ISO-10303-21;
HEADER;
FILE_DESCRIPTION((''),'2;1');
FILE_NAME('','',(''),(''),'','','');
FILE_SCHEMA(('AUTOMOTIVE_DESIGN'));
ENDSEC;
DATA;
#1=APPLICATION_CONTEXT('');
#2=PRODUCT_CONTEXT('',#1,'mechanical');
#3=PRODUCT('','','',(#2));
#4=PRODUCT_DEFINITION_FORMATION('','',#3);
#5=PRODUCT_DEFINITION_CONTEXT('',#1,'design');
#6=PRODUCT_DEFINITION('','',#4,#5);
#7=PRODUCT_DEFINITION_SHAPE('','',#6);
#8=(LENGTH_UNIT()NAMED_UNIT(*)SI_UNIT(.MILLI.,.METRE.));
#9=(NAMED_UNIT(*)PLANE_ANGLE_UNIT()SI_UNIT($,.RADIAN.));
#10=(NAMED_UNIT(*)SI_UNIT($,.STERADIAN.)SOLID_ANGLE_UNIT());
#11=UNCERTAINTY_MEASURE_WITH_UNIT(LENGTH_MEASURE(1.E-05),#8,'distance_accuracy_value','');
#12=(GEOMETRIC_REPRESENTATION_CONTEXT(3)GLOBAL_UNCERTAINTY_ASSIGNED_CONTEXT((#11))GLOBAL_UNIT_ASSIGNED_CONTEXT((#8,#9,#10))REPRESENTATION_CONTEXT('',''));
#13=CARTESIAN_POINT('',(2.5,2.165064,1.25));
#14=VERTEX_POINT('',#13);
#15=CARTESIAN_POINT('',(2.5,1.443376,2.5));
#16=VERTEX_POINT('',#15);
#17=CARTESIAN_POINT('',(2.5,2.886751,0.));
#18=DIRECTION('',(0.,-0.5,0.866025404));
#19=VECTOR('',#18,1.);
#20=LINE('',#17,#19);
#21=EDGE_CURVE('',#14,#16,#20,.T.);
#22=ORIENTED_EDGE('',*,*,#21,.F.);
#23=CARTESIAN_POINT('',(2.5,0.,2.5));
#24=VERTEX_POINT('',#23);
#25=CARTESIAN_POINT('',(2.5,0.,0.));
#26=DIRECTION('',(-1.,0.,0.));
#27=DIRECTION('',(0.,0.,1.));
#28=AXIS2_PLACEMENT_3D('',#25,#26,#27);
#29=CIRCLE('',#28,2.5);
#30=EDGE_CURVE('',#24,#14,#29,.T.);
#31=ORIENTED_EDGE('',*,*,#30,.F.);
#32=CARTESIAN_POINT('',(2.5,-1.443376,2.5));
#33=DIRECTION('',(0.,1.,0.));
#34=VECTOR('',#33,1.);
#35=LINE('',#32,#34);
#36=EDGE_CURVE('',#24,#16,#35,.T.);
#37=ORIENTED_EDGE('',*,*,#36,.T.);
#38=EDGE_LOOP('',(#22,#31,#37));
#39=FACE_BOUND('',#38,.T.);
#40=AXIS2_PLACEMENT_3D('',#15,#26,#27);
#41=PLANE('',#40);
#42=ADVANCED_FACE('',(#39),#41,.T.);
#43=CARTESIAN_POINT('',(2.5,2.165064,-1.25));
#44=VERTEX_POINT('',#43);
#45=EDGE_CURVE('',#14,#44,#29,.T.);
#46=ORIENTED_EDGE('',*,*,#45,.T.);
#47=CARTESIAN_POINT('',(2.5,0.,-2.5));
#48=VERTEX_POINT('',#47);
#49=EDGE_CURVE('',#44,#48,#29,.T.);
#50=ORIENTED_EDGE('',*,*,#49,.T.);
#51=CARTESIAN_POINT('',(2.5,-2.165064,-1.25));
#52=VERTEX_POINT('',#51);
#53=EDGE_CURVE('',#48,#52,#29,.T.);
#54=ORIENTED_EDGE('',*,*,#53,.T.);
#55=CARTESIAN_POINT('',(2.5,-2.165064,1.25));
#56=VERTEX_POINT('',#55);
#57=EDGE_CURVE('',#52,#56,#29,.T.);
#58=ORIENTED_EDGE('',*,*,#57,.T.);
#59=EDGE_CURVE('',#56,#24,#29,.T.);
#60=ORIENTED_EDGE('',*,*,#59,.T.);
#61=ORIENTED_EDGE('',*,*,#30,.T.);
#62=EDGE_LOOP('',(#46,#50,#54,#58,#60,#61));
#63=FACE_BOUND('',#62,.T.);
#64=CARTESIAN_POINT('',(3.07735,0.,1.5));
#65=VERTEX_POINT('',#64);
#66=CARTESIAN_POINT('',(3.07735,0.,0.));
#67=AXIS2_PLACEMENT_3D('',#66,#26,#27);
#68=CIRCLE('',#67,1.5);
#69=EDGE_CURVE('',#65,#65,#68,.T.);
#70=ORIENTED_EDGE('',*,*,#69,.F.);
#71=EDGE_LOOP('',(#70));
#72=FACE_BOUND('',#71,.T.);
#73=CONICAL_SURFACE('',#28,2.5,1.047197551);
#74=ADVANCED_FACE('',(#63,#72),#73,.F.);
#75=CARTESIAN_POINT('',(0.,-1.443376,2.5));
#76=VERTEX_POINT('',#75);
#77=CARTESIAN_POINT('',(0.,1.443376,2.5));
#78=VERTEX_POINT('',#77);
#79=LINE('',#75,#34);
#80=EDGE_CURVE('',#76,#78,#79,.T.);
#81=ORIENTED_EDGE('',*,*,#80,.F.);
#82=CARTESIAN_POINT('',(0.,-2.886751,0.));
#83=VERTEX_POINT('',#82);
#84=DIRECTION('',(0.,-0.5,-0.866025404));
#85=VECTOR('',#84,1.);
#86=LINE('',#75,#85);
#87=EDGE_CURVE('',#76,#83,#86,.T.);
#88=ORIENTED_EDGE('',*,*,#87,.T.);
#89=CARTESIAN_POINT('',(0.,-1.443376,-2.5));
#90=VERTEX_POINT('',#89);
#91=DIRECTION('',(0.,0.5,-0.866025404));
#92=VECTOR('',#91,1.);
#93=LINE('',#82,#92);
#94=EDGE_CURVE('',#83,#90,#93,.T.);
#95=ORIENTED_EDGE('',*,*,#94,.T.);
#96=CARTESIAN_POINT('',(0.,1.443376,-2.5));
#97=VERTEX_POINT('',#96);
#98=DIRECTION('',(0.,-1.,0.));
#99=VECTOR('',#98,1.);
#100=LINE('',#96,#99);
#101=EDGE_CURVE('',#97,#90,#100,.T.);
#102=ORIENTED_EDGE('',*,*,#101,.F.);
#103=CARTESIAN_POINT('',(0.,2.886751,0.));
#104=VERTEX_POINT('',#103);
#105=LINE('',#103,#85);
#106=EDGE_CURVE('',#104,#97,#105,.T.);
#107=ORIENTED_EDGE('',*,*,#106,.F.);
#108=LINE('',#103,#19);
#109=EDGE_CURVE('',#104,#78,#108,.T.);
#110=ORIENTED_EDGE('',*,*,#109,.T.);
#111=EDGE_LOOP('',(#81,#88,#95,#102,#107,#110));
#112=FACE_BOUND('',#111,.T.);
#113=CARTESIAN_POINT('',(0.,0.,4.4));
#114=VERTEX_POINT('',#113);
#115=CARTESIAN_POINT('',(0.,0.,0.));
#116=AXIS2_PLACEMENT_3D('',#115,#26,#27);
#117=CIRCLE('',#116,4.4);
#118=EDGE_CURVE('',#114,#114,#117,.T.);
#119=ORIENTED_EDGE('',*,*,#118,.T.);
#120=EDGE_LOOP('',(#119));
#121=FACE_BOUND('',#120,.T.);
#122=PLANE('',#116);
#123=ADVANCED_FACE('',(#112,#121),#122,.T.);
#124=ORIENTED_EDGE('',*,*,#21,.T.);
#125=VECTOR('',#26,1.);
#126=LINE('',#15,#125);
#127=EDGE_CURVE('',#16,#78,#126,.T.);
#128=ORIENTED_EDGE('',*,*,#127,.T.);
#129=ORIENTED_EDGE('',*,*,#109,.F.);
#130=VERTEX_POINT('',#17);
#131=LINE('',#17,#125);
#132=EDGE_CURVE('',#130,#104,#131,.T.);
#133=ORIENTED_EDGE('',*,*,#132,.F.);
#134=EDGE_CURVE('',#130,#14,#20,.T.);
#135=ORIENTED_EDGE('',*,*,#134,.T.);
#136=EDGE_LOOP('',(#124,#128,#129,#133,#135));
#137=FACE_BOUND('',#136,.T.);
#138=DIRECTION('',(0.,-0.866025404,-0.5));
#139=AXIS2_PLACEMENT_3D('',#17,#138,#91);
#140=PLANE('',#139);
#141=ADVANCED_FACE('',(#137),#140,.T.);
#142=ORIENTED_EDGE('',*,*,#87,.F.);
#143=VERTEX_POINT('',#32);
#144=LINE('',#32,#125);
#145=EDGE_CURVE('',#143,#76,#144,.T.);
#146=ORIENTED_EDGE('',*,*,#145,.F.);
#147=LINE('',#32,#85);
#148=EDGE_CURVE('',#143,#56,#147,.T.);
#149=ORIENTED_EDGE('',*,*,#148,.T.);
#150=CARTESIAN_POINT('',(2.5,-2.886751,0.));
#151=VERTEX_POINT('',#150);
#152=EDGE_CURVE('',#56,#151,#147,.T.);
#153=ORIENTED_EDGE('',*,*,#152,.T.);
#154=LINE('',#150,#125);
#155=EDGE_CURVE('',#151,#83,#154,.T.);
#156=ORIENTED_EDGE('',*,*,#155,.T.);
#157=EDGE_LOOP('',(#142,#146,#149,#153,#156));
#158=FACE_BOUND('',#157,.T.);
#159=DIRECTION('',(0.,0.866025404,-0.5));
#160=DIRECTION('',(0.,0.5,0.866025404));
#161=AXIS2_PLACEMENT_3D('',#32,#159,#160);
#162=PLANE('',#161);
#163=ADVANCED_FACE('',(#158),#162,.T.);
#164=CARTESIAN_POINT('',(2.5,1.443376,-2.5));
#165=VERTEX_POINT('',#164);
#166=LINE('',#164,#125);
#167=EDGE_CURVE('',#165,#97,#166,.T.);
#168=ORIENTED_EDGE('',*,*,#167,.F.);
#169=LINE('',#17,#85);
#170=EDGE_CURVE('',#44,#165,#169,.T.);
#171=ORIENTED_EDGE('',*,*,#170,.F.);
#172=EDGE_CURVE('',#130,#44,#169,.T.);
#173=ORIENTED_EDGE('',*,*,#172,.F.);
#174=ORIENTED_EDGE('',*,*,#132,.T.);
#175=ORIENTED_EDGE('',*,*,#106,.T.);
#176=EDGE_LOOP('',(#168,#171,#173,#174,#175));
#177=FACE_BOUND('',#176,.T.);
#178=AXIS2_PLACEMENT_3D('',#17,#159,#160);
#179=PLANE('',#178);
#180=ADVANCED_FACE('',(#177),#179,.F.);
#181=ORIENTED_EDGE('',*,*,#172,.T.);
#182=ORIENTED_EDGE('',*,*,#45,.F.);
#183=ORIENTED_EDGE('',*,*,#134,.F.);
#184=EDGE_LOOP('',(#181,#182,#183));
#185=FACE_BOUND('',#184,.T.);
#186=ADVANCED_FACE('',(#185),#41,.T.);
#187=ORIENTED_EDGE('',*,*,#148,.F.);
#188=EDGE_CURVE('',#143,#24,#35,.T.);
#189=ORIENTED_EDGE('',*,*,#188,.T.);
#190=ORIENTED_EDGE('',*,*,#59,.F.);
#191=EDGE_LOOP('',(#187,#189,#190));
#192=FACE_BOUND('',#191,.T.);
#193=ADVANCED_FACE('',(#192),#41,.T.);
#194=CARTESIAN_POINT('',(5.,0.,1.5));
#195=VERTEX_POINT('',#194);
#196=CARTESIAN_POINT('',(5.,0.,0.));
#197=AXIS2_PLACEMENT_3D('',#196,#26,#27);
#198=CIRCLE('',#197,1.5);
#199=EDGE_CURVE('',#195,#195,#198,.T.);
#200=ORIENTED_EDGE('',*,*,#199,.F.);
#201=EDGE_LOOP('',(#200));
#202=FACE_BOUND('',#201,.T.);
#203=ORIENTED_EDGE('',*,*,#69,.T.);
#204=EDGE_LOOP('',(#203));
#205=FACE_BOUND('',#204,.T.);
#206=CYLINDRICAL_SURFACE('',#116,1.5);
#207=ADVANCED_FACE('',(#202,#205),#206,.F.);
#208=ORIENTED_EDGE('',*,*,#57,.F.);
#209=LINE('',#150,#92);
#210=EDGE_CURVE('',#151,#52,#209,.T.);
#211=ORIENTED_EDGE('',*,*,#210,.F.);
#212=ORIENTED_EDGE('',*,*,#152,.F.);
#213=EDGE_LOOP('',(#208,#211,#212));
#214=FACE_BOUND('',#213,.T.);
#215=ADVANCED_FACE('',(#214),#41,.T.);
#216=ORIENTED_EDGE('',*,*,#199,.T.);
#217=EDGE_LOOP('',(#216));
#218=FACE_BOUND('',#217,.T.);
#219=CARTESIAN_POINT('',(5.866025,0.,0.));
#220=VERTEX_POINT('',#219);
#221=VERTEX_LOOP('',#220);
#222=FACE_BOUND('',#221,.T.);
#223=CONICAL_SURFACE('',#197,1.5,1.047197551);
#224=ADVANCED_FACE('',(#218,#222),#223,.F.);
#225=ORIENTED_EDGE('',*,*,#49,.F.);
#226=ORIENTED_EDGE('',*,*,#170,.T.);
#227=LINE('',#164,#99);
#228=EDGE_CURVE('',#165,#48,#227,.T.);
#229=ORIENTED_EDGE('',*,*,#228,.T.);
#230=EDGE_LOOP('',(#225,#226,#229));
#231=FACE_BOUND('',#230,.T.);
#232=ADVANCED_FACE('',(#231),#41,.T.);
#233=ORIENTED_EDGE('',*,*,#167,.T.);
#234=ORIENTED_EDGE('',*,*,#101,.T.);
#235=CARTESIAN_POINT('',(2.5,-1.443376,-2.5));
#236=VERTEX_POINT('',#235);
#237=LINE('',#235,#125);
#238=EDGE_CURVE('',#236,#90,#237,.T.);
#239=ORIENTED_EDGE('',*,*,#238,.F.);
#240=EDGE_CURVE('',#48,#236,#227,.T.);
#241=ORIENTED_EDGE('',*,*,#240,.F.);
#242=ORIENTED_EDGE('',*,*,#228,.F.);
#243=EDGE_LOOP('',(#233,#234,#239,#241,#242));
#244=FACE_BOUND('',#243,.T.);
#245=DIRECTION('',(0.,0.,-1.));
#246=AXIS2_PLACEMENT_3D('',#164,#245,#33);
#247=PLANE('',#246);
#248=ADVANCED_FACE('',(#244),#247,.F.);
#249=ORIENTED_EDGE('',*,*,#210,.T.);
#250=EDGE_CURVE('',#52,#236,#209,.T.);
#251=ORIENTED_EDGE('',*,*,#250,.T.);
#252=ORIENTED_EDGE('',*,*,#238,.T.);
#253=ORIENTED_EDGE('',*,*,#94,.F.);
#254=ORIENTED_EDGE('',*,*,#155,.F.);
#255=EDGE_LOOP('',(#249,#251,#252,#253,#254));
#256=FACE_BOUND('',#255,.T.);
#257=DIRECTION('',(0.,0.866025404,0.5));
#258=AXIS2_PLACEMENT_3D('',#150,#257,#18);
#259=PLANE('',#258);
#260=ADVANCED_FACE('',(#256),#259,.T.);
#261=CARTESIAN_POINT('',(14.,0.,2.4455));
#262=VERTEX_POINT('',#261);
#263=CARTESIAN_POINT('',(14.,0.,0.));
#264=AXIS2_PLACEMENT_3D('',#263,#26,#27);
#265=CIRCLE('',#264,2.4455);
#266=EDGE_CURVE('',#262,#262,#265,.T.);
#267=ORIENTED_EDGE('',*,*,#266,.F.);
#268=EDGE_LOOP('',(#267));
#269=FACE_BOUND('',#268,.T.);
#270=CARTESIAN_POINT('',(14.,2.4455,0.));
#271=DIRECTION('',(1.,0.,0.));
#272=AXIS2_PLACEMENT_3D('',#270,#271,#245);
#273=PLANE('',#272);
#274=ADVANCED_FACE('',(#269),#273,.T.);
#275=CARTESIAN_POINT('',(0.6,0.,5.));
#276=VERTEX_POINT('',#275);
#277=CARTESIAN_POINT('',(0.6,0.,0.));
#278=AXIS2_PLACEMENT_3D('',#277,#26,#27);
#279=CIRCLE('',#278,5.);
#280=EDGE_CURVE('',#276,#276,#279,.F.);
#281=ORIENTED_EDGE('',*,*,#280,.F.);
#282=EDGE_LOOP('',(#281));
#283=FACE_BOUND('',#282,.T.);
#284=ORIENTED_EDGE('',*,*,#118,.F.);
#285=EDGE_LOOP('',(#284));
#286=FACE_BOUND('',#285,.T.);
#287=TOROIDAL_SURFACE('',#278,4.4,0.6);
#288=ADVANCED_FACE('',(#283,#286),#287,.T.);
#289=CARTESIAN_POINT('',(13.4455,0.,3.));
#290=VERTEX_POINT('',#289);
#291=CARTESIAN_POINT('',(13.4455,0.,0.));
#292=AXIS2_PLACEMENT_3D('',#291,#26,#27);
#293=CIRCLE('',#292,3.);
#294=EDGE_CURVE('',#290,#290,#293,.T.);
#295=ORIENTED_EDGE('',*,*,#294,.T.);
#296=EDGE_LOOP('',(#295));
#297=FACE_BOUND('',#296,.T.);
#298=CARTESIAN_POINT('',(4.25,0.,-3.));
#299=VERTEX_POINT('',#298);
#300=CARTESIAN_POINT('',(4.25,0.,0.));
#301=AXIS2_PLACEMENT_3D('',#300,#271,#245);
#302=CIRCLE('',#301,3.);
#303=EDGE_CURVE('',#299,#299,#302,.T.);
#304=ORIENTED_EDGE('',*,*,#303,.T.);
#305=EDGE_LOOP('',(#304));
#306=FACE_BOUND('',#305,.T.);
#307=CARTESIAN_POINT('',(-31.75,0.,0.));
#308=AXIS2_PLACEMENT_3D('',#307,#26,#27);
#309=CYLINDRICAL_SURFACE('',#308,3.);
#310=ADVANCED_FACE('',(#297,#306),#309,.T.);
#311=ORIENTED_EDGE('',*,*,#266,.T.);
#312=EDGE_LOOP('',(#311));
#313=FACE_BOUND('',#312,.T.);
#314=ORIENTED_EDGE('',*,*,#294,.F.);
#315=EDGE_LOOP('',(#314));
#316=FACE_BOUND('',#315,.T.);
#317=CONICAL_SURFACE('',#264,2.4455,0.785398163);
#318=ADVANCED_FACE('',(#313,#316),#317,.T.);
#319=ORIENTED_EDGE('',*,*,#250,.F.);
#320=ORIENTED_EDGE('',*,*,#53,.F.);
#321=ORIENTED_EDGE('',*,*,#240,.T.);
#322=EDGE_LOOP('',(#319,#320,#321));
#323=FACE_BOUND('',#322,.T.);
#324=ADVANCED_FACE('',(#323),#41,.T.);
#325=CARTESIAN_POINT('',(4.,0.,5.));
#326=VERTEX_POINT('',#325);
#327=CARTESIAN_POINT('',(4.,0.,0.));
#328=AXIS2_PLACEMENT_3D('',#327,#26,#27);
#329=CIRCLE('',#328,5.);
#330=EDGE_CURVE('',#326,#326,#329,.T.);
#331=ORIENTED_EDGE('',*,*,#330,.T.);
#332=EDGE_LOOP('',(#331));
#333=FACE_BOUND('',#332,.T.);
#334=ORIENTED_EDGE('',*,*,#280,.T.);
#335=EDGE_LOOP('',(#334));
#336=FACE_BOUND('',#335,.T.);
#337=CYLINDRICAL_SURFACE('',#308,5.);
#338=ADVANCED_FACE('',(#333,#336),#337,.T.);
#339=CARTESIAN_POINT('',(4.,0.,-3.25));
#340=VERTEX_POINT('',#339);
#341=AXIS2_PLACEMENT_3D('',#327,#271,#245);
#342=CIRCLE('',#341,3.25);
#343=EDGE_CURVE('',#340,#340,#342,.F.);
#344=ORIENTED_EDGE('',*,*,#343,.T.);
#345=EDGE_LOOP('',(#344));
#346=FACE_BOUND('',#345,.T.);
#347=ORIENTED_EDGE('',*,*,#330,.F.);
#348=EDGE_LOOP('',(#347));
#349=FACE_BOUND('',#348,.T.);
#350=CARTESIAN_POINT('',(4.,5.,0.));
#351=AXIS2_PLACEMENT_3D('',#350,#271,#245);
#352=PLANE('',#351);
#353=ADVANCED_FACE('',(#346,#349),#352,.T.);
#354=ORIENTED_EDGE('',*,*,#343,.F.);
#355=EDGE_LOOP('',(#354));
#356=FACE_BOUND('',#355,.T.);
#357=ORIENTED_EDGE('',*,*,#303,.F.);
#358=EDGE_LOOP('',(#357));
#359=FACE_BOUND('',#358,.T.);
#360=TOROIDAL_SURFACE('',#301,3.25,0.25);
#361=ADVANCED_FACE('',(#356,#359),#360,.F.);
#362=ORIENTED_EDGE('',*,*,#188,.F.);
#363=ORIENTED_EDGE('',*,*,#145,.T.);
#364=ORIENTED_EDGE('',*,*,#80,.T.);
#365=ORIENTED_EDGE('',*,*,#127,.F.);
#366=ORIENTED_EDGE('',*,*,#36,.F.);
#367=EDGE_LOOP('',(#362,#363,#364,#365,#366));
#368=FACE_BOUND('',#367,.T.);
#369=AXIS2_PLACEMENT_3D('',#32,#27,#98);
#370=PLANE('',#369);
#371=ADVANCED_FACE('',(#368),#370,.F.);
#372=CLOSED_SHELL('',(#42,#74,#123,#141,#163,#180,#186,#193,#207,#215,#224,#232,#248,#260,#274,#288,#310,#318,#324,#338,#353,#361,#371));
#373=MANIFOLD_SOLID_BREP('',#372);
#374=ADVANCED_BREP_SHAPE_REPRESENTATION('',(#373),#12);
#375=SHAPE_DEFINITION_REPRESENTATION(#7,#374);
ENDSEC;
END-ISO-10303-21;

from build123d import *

# Parameters (mm, degrees)
FILLET1_R   = 0.25
FILLET2_R   = 0.6
HEX_2_DEPTH = 2.5


with BuildPart() as part:
    # BodySke → Base-Revolve (revolve)
    with BuildSketch(Plane.XY, mode=Mode.PRIVATE) as base_revolve_sk:
        Polygon((0, 0), (0, 5), (4, 5), (4, 3), (13.4455, 3), (14, 2.4455), (14, 0), align=None)
    revolve(base_revolve_sk.sketch.rotate(Axis((-31.75, 0, 0), (1, 0, 0)), 90), axis=Axis((-31.75, 0, 0), (1, 0, 0)))

    # Fillet1
    fillet1_edges = [part.edges().sort_by_distance(p)[0] for p in [
        (4, 0, -3),
    ]]
    fillet(fillet1_edges, radius=FILLET1_R)

    # Fillet2
    fillet2_edges = [part.edges().sort_by_distance(p)[0] for p in [
        (0, 0, -5),
    ]]
    fillet(fillet2_edges, radius=FILLET2_R)

    # HexSke → Hex 2 (cut)
    with BuildSketch(Plane(origin=(0, 0, 0), x_dir=(0, 0.500000000000001, 0.866025403784438), z_dir=(-1, 0, 0))):
        Polygon((1.443375673, 2.5), (-1.443375673, 2.5), (-2.886751346, 0), (-1.443375673, -2.5), (1.443375673, -2.5), (2.886751346, 0), align=None)
    extrude(amount=-HEX_2_DEPTH, mode=Mode.SUBTRACT)

    # PilotSke → Hex-PreBroach (revolve, cut)
    with BuildSketch(Plane.XY, mode=Mode.PRIVATE) as hex_prebroach_sk:
        Polygon((0, 2.5), (2.5, 2.5), (3.077350269, 1.5), (5, 1.5), (5.866025404, 0), (0, 0), align=None)
    revolve(hex_prebroach_sk.sketch.rotate(Axis((0, 0, 0), (1, 0, 0)), 90), axis=Axis((0, 0, 0), (1, 0, 0)), mode=Mode.SUBTRACT)


solid = part.part
